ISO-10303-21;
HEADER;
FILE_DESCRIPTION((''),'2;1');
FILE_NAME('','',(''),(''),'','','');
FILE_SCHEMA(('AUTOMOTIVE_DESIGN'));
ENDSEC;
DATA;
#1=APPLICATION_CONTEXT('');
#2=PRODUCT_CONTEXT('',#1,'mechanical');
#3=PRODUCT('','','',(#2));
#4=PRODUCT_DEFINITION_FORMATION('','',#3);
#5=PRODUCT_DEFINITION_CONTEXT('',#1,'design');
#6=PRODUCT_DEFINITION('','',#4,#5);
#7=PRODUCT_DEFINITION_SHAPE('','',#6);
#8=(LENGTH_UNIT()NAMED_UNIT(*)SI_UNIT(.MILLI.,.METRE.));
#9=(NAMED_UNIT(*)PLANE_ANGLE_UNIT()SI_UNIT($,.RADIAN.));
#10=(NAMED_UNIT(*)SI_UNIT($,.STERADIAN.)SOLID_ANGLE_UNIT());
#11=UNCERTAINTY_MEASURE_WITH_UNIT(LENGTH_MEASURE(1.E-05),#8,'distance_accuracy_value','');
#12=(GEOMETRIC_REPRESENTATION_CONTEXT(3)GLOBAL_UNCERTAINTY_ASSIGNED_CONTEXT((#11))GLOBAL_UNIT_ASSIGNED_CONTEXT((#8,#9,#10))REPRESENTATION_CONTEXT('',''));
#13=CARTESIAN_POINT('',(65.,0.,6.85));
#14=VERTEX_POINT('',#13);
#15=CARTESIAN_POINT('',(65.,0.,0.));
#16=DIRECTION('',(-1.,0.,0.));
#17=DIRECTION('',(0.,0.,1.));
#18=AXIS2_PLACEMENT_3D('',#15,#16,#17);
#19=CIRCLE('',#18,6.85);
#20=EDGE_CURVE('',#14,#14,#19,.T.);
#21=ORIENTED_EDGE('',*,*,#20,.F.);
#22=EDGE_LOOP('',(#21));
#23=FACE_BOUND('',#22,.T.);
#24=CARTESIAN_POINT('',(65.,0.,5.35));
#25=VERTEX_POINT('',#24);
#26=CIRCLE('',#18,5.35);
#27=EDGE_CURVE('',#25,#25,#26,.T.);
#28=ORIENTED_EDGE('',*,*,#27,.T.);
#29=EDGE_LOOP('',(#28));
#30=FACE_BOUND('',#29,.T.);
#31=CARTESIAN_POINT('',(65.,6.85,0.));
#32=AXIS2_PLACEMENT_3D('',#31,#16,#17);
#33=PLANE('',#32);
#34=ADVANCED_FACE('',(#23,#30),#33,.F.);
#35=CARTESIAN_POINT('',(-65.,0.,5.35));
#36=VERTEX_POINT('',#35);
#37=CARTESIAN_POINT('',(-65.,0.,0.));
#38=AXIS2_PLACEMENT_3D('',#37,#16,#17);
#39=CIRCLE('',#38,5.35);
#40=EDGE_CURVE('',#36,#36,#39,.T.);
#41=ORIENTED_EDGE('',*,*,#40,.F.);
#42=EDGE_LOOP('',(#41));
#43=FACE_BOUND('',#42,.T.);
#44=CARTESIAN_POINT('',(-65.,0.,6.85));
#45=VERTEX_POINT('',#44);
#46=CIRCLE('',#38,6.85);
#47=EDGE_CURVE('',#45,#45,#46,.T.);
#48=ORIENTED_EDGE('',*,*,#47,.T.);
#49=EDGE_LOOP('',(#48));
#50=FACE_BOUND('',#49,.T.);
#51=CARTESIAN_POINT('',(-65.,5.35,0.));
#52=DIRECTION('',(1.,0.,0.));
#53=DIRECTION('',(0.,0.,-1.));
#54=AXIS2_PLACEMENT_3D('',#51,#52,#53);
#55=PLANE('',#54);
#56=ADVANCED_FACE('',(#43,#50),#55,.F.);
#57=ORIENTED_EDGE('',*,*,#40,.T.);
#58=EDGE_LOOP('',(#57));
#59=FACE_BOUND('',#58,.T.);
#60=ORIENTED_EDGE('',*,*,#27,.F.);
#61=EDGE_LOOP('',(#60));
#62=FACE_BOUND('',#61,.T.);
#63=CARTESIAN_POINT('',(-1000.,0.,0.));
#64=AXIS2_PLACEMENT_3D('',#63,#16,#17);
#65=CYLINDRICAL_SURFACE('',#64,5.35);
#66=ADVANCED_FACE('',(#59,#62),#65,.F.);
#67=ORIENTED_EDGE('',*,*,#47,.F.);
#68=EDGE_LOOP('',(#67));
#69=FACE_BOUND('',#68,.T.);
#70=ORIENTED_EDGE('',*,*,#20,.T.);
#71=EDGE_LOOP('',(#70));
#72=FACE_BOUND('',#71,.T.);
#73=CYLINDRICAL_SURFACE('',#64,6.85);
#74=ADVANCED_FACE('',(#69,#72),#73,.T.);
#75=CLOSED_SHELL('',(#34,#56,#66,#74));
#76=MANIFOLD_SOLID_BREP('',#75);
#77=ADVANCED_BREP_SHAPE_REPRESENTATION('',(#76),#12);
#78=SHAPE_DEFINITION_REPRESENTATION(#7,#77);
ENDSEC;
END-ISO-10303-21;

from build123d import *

# Parameters (mm, degrees)
HOSE_8_SKETCH_W = 130
HOSE_8_SKETCH_H = 1.5


with BuildPart() as part:
    # Hose_8 Sketch → Hose_8 (revolve)
    with BuildSketch(Plane.XY):
        with Locations((0, 6.1)):
            Rectangle(HOSE_8_SKETCH_W, HOSE_8_SKETCH_H)
    revolve(axis=Axis((-1000, 0, 0), (1, 0, 0)))


solid = part.part
